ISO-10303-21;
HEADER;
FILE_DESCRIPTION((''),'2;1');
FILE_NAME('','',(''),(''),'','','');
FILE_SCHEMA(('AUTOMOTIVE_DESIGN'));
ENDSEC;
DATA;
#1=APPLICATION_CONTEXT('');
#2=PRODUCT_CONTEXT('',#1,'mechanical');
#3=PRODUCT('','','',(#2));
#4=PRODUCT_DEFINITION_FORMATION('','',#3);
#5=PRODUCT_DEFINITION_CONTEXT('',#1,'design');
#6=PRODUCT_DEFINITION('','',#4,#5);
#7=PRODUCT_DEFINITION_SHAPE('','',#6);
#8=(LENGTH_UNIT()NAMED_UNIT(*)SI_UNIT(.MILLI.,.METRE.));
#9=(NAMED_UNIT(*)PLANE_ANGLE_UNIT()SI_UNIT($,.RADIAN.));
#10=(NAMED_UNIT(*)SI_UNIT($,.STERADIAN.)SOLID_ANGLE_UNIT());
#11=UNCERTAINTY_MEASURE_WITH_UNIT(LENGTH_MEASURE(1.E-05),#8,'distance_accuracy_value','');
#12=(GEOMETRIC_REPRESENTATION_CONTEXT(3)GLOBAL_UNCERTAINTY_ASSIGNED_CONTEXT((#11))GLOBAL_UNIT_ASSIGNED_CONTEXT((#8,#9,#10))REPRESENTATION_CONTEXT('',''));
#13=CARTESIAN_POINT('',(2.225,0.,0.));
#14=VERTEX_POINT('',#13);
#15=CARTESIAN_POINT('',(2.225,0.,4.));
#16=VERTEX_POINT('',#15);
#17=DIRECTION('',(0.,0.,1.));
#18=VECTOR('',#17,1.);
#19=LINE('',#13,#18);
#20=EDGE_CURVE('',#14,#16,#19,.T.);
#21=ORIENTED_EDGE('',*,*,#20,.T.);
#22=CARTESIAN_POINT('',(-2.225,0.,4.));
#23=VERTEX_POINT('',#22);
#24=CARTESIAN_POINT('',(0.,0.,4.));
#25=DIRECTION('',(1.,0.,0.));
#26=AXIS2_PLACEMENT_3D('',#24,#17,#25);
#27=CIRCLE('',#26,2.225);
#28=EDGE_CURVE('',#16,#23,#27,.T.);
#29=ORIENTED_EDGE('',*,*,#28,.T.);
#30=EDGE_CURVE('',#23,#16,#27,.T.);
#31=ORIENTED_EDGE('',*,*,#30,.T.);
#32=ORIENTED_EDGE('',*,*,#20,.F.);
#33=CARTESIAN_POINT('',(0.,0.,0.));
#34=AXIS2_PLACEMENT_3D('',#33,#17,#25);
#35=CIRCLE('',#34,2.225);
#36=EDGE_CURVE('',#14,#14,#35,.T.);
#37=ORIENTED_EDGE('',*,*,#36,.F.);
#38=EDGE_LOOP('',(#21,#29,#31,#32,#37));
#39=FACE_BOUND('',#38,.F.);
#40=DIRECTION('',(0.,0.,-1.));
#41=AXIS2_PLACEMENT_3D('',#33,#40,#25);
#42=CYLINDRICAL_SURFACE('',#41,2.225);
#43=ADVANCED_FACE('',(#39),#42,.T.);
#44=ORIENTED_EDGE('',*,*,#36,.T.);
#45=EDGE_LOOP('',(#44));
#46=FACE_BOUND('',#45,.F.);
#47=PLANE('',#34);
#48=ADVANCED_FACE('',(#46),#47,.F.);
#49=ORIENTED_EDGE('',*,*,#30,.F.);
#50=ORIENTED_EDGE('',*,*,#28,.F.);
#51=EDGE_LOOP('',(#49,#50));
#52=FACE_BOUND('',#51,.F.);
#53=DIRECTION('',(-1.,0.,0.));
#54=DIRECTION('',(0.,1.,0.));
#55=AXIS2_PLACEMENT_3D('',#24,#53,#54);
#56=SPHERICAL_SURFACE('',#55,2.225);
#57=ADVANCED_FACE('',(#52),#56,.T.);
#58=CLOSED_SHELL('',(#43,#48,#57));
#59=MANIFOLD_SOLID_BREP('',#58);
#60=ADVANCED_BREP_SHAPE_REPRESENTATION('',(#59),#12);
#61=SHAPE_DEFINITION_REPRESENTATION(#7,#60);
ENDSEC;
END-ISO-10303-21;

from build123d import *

# Parameters (mm, degrees)
F0_R     = 2.225
F1_DEPTH = 4


with BuildPart() as f1:
    # F0 (on Top) → F1 (new body)
    with BuildSketch(Plane.XY):
        Circle(F0_R)
    extrude(amount=F1_DEPTH)

    # F2 (on face) → F3 (revolve)
    with BuildSketch(Plane.XY.offset(4)):
        with BuildLine():
            Line((-2.225, 0), (2.225, 0))
            ThreePointArc((2.225, 0), (0, 2.225), (-2.225, 0))
        make_face()
    revolve(axis=Axis((0, 0, 4), (1, 0, 0)))


solid = f1.part
